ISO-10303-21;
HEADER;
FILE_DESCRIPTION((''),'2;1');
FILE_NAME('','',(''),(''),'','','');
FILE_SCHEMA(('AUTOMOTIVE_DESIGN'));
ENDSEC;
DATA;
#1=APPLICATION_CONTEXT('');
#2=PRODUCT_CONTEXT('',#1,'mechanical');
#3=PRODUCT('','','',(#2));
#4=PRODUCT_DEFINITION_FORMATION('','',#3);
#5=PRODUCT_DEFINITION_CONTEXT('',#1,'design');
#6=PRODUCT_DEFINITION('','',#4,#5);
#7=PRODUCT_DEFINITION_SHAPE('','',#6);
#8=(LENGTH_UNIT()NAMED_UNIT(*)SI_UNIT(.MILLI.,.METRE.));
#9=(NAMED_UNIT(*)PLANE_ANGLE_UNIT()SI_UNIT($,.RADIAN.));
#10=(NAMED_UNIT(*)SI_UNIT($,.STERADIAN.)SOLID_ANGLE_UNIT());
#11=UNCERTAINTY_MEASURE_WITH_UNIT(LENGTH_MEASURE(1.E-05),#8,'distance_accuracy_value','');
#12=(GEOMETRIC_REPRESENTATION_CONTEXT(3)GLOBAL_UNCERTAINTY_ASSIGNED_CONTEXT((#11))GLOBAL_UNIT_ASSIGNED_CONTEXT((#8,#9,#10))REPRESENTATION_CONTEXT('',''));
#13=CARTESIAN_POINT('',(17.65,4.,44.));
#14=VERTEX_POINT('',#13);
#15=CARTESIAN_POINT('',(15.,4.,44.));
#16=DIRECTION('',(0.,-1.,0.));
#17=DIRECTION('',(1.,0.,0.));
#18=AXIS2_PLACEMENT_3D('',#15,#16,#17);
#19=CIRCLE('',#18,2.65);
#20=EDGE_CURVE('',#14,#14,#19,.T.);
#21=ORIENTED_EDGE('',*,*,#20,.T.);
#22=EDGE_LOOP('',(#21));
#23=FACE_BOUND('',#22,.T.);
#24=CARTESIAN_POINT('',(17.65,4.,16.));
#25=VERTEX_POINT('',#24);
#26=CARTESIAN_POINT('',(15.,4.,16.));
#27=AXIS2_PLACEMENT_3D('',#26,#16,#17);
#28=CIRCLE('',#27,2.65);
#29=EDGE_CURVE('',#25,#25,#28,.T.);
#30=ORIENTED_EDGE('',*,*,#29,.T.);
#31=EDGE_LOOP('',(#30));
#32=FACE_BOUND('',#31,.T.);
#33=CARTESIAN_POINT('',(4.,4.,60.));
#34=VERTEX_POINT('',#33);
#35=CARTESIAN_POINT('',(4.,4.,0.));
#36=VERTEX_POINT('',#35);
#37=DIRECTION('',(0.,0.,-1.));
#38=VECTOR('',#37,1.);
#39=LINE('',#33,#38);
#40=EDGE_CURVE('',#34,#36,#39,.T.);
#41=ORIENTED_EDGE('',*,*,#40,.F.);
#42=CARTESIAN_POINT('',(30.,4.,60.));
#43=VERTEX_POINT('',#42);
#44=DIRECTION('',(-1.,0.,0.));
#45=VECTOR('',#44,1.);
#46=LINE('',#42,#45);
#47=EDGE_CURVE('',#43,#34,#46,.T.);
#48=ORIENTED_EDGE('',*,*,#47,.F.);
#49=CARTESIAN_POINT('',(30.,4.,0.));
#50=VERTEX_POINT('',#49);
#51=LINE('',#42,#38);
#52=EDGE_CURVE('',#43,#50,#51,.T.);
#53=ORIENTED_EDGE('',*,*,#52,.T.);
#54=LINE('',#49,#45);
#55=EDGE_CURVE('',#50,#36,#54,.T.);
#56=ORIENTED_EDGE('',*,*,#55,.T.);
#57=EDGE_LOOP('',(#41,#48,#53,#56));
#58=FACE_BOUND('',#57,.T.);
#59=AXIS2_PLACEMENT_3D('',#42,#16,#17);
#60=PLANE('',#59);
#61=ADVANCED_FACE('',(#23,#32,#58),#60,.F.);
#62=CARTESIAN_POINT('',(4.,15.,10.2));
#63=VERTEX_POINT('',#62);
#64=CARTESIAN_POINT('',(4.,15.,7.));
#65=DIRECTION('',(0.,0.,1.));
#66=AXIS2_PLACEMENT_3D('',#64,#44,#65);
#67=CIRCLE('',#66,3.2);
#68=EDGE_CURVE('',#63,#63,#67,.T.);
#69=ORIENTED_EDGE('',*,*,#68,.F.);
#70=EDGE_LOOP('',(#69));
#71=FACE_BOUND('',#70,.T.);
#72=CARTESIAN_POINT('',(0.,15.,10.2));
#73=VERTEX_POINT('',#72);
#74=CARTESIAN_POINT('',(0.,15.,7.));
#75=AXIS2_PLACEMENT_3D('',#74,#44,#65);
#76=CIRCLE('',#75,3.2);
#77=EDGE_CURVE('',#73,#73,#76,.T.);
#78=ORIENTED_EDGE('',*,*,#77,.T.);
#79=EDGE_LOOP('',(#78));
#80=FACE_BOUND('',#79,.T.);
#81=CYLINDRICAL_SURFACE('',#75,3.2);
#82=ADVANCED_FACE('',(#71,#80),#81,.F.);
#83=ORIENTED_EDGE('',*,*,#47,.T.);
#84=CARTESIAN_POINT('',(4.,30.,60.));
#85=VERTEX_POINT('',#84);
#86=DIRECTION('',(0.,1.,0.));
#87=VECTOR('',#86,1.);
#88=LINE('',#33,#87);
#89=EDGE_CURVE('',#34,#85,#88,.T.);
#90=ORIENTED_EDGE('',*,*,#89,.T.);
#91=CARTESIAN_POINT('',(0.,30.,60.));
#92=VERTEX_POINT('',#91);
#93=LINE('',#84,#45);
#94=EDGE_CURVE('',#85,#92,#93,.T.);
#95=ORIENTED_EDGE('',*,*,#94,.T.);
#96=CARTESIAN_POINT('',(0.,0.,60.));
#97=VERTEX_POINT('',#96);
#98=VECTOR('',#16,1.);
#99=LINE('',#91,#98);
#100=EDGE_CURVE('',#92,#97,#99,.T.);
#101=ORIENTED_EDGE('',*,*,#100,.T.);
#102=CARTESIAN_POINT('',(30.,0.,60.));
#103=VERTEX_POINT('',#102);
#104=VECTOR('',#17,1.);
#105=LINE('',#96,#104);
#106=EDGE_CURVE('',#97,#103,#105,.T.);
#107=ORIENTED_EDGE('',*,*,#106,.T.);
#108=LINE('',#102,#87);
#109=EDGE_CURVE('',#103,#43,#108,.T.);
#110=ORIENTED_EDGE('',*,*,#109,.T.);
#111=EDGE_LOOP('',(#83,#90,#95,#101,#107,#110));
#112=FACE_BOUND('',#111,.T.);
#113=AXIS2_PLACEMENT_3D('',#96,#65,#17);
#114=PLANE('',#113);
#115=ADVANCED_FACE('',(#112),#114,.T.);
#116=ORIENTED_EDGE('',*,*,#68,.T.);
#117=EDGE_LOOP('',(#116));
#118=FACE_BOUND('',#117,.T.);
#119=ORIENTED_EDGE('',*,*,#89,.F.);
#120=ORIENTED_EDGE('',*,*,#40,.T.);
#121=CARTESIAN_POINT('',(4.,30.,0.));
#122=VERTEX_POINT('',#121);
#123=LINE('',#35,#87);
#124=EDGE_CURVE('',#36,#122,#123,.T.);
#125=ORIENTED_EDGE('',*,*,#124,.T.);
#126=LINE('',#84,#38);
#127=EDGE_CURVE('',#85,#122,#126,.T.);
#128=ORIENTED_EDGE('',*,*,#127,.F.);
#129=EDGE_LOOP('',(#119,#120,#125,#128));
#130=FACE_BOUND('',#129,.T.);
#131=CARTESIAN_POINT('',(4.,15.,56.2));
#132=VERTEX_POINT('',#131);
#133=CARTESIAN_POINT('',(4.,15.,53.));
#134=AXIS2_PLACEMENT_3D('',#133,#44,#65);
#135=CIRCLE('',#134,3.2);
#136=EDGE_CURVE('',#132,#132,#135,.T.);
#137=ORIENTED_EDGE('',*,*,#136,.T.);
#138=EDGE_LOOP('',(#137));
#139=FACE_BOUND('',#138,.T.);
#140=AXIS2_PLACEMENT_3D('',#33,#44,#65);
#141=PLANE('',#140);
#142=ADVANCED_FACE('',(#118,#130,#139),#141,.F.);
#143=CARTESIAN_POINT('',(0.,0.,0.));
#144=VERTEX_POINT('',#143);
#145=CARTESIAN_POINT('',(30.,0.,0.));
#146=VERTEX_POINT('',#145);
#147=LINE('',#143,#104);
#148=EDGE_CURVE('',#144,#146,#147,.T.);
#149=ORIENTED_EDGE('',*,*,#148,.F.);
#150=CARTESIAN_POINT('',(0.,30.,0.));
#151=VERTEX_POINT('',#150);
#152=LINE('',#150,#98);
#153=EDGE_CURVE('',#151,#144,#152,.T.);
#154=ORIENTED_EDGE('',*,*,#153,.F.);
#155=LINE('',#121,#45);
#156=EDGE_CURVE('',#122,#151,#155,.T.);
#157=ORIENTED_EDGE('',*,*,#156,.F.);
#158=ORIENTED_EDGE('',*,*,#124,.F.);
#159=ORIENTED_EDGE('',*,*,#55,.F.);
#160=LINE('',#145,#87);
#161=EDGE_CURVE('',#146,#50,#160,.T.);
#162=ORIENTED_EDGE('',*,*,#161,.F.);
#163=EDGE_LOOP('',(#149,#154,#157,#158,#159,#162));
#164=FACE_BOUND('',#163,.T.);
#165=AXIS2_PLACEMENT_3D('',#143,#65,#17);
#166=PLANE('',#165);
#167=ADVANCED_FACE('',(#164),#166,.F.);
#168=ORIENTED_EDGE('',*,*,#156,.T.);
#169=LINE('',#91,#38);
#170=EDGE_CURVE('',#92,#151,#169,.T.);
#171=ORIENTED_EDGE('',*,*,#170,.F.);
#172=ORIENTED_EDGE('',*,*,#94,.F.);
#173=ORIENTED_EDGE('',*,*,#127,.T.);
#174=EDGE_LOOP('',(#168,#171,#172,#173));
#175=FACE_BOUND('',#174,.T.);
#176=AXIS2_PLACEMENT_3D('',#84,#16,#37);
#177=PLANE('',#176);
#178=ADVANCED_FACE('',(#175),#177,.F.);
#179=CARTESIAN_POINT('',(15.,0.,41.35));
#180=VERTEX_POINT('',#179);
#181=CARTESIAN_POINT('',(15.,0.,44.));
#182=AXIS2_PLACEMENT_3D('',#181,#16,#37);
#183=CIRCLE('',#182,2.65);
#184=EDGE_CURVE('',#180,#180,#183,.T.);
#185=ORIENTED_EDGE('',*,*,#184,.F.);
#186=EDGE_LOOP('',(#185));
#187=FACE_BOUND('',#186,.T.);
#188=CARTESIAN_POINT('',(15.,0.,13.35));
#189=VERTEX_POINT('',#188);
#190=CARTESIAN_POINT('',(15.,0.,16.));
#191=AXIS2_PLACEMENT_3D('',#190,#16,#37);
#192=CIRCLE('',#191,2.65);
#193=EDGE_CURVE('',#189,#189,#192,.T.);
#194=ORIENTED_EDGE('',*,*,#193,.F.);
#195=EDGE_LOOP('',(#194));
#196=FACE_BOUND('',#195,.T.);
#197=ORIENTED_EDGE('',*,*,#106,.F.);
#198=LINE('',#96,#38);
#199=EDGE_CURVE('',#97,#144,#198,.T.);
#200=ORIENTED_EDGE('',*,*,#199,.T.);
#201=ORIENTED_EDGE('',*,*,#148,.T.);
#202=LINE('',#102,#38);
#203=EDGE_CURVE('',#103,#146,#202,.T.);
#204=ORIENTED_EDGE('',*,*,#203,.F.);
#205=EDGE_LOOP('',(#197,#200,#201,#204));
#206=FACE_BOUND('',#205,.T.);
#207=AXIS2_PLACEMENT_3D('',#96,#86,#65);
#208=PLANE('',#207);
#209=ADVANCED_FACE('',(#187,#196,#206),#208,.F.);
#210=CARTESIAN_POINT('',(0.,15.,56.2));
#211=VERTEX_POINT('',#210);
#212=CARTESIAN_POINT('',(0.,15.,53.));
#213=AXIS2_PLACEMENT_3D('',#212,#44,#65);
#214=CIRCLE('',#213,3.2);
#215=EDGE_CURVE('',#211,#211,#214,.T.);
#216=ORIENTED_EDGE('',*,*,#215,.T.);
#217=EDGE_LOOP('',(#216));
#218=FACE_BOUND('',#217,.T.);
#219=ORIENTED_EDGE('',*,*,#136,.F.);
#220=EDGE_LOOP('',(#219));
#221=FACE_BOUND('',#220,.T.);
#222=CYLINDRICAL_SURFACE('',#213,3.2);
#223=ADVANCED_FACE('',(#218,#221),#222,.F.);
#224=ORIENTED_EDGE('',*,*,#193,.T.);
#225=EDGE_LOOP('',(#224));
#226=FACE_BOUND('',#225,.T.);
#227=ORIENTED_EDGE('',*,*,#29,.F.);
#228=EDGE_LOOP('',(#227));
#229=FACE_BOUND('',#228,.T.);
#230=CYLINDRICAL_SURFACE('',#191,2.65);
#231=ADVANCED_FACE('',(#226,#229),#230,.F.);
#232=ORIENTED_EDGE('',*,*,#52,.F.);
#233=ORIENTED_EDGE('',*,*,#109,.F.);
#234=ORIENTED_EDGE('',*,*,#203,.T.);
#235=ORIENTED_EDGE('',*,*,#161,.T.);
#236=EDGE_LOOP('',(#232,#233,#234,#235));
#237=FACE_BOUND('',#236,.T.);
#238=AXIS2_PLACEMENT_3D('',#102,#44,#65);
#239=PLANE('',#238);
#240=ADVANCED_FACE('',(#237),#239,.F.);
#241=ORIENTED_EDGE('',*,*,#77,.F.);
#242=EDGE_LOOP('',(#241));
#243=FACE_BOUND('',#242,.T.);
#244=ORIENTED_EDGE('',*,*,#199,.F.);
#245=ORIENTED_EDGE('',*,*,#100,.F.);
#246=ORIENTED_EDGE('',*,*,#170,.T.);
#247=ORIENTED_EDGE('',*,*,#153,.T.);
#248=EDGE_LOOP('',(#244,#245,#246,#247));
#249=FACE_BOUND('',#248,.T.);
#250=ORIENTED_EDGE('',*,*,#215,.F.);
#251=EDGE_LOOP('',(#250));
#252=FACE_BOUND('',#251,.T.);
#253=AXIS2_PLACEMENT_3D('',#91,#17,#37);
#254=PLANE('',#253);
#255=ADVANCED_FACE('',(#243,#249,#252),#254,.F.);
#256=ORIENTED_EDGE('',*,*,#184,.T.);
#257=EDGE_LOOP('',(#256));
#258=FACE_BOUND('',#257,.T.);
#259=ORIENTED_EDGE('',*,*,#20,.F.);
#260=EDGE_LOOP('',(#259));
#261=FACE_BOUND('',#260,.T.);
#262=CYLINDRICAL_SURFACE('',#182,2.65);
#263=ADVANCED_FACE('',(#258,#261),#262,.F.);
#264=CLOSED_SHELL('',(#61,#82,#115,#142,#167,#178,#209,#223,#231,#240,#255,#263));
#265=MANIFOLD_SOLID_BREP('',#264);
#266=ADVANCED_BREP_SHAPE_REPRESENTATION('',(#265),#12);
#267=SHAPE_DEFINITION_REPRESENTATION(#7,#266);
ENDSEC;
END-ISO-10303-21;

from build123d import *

# Parameters (mm, degrees)
BOSS_EXTRUDE1_DEPTH      = 60
M6_CLEARANCE_HOLE1_D     = 6.4
M6_CLEARANCE_HOLE1_DEPTH = 8
M6_CLEARANCE_HOLE1_TIP   = 1.922753981
M5_CLEARANCE_HOLE1_D     = 5.3
M5_CLEARANCE_HOLE1_DEPTH = 8
M5_CLEARANCE_HOLE1_TIP   = 1.59228064


with BuildPart() as part:
    # Sketch1 → Boss-Extrude1 (new body)
    with BuildSketch(Plane.XY):
        Polygon((0, 30), (0, 0), (30, 0), (30, 4), (4, 4), (4, 30), align=None)
    extrude(amount=BOSS_EXTRUDE1_DEPTH)

    # M6 Clearance Hole1
    with Locations(Plane.ZY):
        with Locations((7, 15), (53, 15)):
            Hole(M6_CLEARANCE_HOLE1_D / 2, depth=M6_CLEARANCE_HOLE1_DEPTH)
            with Locations((0, 0, -(M6_CLEARANCE_HOLE1_DEPTH + M6_CLEARANCE_HOLE1_TIP / 2))):  # 118° drill point
                Cone(0, M6_CLEARANCE_HOLE1_D / 2, M6_CLEARANCE_HOLE1_TIP, mode=Mode.SUBTRACT)

    # M5 Clearance Hole1
    with Locations(Plane(origin=(0, 0, 0), x_dir=(-1, 0, 0), z_dir=(0, -1, 0))):
        with Locations((-15, -16), (-15, -44)):
            Hole(M5_CLEARANCE_HOLE1_D / 2, depth=M5_CLEARANCE_HOLE1_DEPTH)
            with Locations((0, 0, -(M5_CLEARANCE_HOLE1_DEPTH + M5_CLEARANCE_HOLE1_TIP / 2))):  # 118° drill point
                Cone(0, M5_CLEARANCE_HOLE1_D / 2, M5_CLEARANCE_HOLE1_TIP, mode=Mode.SUBTRACT)


solid = part.part
